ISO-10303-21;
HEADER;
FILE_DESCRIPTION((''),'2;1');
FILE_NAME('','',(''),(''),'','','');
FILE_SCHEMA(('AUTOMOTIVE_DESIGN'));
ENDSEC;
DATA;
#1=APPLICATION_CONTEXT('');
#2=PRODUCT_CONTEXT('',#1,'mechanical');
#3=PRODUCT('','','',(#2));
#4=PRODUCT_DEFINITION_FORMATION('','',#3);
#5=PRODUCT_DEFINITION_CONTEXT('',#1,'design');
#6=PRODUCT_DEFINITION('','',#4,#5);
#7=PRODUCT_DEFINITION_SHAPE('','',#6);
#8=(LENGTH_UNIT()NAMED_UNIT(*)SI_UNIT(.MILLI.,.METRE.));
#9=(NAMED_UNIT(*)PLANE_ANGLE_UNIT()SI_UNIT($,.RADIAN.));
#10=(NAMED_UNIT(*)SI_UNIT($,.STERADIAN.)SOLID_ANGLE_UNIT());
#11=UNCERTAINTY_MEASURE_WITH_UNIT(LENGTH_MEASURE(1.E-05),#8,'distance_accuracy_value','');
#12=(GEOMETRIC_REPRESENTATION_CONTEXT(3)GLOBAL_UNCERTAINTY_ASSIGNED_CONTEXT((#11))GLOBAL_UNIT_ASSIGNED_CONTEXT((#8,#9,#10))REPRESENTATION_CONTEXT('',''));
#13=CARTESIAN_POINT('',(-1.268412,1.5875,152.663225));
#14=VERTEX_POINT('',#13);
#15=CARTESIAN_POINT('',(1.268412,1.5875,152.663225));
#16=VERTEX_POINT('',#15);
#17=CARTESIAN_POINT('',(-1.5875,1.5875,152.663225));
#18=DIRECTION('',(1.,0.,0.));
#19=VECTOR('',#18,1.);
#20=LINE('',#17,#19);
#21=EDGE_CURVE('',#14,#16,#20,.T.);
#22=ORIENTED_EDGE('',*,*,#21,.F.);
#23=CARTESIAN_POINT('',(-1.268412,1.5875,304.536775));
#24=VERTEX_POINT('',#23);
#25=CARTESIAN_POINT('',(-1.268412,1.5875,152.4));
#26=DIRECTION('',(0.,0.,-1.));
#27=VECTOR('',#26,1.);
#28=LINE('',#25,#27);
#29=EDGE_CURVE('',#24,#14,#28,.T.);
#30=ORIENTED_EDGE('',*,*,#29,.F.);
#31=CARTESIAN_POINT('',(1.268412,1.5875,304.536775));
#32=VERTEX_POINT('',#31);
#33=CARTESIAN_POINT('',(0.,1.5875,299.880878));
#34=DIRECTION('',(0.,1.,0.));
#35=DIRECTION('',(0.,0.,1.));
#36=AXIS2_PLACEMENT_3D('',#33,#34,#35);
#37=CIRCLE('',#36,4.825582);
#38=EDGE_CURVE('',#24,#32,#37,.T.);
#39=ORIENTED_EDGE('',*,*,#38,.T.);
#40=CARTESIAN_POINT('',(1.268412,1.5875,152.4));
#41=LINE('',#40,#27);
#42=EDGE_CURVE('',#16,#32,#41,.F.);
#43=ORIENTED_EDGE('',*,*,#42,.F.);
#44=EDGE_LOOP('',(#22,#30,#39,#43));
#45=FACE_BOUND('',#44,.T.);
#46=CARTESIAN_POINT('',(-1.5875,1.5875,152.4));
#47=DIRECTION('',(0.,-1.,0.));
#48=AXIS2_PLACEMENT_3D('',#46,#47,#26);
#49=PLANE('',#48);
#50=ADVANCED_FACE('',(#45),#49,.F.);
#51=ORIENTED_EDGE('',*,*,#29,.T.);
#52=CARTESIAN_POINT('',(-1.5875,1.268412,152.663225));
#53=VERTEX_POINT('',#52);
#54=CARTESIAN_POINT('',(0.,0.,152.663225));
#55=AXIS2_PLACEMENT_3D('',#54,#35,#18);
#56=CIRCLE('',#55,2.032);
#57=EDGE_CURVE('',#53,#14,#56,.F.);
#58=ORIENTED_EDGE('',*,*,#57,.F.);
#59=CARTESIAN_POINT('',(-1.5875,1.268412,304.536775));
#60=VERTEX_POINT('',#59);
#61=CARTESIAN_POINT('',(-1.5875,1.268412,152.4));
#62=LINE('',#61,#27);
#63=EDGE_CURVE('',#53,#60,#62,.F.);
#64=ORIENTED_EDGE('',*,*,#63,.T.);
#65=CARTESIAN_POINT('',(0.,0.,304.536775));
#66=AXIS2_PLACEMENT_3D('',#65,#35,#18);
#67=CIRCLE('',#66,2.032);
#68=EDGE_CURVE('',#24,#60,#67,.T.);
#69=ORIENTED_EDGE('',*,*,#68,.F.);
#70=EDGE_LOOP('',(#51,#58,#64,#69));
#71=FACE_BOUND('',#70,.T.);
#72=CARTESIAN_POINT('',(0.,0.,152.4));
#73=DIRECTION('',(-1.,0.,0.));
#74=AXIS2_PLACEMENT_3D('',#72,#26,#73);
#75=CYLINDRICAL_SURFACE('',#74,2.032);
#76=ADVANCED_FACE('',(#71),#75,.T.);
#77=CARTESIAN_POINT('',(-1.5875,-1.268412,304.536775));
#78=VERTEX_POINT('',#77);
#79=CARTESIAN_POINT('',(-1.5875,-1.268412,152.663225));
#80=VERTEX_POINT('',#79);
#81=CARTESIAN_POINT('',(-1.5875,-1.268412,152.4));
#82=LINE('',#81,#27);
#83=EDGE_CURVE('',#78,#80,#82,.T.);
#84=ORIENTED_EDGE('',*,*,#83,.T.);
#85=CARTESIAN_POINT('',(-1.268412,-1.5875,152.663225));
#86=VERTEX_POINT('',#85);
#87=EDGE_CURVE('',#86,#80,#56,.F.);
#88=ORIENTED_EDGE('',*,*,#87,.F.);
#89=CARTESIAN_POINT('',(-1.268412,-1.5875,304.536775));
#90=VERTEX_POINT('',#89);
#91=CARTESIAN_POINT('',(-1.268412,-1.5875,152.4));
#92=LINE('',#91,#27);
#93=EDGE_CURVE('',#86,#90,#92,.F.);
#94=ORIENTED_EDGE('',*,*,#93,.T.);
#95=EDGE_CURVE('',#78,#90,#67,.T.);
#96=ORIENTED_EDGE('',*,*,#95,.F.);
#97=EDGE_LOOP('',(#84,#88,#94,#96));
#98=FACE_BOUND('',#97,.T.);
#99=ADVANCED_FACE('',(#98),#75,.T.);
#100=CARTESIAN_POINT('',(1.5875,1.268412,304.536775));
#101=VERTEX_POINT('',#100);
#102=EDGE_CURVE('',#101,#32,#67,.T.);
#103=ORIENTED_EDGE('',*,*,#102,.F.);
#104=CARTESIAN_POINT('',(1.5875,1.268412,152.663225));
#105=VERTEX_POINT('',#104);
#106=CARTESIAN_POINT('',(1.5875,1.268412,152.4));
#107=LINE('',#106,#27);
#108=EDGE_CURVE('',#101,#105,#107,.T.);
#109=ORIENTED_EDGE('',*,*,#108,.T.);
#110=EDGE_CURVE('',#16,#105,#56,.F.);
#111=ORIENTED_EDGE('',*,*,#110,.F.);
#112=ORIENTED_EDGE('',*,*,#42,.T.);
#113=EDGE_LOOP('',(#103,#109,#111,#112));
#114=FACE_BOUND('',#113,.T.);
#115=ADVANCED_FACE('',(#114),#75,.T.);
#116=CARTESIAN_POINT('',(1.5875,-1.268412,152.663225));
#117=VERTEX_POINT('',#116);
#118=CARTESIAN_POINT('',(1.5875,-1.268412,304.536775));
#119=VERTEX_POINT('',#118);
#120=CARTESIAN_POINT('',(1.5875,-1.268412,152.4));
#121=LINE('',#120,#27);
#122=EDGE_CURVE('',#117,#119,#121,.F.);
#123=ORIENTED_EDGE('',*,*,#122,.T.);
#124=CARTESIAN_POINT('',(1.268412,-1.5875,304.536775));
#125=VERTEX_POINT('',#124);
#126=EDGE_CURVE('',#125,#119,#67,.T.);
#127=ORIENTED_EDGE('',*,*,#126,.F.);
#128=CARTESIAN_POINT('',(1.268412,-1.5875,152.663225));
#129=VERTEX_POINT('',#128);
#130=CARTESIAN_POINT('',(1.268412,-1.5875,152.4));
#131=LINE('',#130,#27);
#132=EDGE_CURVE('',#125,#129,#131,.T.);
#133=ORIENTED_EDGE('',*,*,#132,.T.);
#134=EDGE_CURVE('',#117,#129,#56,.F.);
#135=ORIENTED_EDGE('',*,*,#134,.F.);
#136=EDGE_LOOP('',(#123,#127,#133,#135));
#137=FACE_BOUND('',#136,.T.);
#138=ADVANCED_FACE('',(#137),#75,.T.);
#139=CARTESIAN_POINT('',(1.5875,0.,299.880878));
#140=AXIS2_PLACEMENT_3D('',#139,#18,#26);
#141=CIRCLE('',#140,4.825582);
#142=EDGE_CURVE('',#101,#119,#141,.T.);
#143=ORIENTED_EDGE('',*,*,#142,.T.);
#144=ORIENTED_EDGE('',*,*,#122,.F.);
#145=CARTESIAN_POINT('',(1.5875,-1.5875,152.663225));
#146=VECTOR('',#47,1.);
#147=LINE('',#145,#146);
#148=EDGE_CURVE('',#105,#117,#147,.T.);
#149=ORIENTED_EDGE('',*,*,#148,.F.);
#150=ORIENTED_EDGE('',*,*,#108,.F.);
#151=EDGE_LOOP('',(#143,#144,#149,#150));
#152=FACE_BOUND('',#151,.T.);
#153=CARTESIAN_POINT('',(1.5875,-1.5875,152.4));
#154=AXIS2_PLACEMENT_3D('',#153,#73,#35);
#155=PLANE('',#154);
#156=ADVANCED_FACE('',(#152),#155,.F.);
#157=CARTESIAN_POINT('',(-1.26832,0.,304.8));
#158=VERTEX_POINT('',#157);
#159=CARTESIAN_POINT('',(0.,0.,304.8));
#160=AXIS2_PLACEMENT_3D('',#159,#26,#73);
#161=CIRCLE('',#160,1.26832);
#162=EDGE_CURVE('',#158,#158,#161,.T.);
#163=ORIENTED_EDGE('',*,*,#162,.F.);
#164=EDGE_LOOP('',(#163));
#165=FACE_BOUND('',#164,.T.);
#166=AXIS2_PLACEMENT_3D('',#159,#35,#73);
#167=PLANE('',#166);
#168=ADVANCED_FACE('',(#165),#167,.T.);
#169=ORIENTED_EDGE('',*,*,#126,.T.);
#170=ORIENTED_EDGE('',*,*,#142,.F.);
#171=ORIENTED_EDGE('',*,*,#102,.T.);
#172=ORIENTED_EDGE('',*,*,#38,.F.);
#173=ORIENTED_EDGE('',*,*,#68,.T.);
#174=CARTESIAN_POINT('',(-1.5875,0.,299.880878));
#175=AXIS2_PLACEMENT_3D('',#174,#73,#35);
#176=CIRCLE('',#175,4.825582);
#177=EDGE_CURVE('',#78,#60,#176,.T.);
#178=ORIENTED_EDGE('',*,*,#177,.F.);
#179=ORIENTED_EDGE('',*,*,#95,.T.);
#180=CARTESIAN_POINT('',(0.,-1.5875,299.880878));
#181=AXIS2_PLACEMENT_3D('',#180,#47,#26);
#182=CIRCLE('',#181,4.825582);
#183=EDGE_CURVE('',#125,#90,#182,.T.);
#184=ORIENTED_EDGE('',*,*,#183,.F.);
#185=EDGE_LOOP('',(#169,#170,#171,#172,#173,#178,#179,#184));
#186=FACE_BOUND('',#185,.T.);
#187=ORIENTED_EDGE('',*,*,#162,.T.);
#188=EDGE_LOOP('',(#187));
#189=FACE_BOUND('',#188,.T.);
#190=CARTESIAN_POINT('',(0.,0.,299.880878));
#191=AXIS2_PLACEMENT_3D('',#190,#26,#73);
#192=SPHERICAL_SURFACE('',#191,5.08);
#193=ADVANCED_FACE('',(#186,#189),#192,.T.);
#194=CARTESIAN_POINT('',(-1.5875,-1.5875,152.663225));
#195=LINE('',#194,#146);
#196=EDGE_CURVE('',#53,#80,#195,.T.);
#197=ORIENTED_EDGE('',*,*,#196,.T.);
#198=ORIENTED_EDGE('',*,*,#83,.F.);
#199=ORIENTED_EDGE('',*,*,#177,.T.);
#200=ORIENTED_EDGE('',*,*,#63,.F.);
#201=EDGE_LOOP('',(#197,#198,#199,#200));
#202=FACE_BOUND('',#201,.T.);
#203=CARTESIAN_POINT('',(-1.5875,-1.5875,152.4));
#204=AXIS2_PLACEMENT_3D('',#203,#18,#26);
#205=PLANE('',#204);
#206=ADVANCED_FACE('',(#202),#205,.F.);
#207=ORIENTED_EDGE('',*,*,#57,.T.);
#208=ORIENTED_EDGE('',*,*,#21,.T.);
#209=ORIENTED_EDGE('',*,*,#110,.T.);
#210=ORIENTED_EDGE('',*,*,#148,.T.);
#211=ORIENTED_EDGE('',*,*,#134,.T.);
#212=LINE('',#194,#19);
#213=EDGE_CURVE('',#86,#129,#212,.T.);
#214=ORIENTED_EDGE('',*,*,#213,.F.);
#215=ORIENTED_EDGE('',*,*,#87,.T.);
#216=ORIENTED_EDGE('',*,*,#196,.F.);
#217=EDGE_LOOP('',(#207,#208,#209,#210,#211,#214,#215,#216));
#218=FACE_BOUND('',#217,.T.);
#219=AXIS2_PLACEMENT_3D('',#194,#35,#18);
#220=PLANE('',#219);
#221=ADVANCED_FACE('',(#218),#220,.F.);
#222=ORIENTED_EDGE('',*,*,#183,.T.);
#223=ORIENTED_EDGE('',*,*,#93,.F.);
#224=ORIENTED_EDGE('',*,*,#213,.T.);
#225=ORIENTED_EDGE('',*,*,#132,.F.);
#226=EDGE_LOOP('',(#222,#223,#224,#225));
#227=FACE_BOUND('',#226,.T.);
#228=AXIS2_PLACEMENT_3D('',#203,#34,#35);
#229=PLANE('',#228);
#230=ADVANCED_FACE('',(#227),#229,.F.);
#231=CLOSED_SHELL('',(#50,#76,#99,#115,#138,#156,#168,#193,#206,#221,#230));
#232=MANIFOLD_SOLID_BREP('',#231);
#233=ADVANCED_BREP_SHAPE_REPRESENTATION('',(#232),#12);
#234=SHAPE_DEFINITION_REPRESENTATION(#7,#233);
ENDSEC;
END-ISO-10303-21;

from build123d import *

# Parameters (mm, degrees)
SKETCH1_W           = 3.175
SKETCH1_H           = 3.175
BOSS_EXTRUDE1_DEPTH = 152.4
SKETCH2_OUTSIDE_W   = 35.668
SKETCH2_OUTSIDE_H   = 35.668
SKETCH2_OUTSIDE_R   = 2.032
CUT_EXTRUDE1_DEPTH  = 153.416535561
SKETCH4_W           = 152.4
SKETCH4_H           = 3.175
CUT_EXTRUDE3_DEPTH  = 305.820669872


with BuildPart() as part:
    # Sketch1 → Boss-Extrude1 (new body)
    with BuildSketch(Plane.XY):
        Rectangle(SKETCH1_W, SKETCH1_H)
    extrude(amount=BOSS_EXTRUDE1_DEPTH)

    # Sketch2 outside → Cut-Extrude1 (cut, through all)
    with BuildSketch(Plane(origin=(0, 0, 0), x_dir=(-1, 0, 0), z_dir=(0, 0, -1))):
        Rectangle(SKETCH2_OUTSIDE_W, SKETCH2_OUTSIDE_H)
        Circle(SKETCH2_OUTSIDE_R, mode=Mode.SUBTRACT)
    extrude(amount=-CUT_EXTRUDE1_DEPTH, mode=Mode.SUBTRACT)

    # Sketch3 → Cut-Revolve1 (revolve, cut)
    with BuildSketch(Plane(origin=(0, 0, 0), x_dir=(1, 0, 0), z_dir=(0, 1, 0))):
        with BuildLine():
            Line((-5.053685963, -4.40273269), (-5.053685963, 5.740530545))
            Line((-5.053685963, 5.740530545), (0, 5.740530545))
            Line((0, 5.740530545), (0, 0.160877736))
            ThreePointArc((0, 0.160877736), (-3.404639553, -1.148866368), (-5.053685963, -4.40273269))
        make_face()
    revolve(axis=Axis((0, 0, 152.4), (0, 0, -1)), mode=Mode.SUBTRACT)

    # Mirror1: part across plane


with BuildPart() as part_1:
    add(part.part)
    add(part.part.mirror(Plane(origin=(0, 0, 152.4), x_dir=(1, 0, 0), z_dir=(0, 0, -1))))

    # Sketch4 → Cut-Extrude3 (cut, through all)
    with BuildSketch(Plane(origin=(1.5875, 0, 0), x_dir=(0, 0, -1), z_dir=(1, 0, 0))):
        with Locations((-76.463225358, 0)):
            Rectangle(SKETCH4_W, SKETCH4_H)
    extrude(amount=-CUT_EXTRUDE3_DEPTH, mode=Mode.SUBTRACT)


with BuildPart() as body_2:
    # of the pieces the cut leaves, the one that is kept (cut_extrude3_keep)
    add(part_1.part.solids().sort_by_distance((1.268411507, -1.5875, 152.663225358))[0])


solid = body_2.part
